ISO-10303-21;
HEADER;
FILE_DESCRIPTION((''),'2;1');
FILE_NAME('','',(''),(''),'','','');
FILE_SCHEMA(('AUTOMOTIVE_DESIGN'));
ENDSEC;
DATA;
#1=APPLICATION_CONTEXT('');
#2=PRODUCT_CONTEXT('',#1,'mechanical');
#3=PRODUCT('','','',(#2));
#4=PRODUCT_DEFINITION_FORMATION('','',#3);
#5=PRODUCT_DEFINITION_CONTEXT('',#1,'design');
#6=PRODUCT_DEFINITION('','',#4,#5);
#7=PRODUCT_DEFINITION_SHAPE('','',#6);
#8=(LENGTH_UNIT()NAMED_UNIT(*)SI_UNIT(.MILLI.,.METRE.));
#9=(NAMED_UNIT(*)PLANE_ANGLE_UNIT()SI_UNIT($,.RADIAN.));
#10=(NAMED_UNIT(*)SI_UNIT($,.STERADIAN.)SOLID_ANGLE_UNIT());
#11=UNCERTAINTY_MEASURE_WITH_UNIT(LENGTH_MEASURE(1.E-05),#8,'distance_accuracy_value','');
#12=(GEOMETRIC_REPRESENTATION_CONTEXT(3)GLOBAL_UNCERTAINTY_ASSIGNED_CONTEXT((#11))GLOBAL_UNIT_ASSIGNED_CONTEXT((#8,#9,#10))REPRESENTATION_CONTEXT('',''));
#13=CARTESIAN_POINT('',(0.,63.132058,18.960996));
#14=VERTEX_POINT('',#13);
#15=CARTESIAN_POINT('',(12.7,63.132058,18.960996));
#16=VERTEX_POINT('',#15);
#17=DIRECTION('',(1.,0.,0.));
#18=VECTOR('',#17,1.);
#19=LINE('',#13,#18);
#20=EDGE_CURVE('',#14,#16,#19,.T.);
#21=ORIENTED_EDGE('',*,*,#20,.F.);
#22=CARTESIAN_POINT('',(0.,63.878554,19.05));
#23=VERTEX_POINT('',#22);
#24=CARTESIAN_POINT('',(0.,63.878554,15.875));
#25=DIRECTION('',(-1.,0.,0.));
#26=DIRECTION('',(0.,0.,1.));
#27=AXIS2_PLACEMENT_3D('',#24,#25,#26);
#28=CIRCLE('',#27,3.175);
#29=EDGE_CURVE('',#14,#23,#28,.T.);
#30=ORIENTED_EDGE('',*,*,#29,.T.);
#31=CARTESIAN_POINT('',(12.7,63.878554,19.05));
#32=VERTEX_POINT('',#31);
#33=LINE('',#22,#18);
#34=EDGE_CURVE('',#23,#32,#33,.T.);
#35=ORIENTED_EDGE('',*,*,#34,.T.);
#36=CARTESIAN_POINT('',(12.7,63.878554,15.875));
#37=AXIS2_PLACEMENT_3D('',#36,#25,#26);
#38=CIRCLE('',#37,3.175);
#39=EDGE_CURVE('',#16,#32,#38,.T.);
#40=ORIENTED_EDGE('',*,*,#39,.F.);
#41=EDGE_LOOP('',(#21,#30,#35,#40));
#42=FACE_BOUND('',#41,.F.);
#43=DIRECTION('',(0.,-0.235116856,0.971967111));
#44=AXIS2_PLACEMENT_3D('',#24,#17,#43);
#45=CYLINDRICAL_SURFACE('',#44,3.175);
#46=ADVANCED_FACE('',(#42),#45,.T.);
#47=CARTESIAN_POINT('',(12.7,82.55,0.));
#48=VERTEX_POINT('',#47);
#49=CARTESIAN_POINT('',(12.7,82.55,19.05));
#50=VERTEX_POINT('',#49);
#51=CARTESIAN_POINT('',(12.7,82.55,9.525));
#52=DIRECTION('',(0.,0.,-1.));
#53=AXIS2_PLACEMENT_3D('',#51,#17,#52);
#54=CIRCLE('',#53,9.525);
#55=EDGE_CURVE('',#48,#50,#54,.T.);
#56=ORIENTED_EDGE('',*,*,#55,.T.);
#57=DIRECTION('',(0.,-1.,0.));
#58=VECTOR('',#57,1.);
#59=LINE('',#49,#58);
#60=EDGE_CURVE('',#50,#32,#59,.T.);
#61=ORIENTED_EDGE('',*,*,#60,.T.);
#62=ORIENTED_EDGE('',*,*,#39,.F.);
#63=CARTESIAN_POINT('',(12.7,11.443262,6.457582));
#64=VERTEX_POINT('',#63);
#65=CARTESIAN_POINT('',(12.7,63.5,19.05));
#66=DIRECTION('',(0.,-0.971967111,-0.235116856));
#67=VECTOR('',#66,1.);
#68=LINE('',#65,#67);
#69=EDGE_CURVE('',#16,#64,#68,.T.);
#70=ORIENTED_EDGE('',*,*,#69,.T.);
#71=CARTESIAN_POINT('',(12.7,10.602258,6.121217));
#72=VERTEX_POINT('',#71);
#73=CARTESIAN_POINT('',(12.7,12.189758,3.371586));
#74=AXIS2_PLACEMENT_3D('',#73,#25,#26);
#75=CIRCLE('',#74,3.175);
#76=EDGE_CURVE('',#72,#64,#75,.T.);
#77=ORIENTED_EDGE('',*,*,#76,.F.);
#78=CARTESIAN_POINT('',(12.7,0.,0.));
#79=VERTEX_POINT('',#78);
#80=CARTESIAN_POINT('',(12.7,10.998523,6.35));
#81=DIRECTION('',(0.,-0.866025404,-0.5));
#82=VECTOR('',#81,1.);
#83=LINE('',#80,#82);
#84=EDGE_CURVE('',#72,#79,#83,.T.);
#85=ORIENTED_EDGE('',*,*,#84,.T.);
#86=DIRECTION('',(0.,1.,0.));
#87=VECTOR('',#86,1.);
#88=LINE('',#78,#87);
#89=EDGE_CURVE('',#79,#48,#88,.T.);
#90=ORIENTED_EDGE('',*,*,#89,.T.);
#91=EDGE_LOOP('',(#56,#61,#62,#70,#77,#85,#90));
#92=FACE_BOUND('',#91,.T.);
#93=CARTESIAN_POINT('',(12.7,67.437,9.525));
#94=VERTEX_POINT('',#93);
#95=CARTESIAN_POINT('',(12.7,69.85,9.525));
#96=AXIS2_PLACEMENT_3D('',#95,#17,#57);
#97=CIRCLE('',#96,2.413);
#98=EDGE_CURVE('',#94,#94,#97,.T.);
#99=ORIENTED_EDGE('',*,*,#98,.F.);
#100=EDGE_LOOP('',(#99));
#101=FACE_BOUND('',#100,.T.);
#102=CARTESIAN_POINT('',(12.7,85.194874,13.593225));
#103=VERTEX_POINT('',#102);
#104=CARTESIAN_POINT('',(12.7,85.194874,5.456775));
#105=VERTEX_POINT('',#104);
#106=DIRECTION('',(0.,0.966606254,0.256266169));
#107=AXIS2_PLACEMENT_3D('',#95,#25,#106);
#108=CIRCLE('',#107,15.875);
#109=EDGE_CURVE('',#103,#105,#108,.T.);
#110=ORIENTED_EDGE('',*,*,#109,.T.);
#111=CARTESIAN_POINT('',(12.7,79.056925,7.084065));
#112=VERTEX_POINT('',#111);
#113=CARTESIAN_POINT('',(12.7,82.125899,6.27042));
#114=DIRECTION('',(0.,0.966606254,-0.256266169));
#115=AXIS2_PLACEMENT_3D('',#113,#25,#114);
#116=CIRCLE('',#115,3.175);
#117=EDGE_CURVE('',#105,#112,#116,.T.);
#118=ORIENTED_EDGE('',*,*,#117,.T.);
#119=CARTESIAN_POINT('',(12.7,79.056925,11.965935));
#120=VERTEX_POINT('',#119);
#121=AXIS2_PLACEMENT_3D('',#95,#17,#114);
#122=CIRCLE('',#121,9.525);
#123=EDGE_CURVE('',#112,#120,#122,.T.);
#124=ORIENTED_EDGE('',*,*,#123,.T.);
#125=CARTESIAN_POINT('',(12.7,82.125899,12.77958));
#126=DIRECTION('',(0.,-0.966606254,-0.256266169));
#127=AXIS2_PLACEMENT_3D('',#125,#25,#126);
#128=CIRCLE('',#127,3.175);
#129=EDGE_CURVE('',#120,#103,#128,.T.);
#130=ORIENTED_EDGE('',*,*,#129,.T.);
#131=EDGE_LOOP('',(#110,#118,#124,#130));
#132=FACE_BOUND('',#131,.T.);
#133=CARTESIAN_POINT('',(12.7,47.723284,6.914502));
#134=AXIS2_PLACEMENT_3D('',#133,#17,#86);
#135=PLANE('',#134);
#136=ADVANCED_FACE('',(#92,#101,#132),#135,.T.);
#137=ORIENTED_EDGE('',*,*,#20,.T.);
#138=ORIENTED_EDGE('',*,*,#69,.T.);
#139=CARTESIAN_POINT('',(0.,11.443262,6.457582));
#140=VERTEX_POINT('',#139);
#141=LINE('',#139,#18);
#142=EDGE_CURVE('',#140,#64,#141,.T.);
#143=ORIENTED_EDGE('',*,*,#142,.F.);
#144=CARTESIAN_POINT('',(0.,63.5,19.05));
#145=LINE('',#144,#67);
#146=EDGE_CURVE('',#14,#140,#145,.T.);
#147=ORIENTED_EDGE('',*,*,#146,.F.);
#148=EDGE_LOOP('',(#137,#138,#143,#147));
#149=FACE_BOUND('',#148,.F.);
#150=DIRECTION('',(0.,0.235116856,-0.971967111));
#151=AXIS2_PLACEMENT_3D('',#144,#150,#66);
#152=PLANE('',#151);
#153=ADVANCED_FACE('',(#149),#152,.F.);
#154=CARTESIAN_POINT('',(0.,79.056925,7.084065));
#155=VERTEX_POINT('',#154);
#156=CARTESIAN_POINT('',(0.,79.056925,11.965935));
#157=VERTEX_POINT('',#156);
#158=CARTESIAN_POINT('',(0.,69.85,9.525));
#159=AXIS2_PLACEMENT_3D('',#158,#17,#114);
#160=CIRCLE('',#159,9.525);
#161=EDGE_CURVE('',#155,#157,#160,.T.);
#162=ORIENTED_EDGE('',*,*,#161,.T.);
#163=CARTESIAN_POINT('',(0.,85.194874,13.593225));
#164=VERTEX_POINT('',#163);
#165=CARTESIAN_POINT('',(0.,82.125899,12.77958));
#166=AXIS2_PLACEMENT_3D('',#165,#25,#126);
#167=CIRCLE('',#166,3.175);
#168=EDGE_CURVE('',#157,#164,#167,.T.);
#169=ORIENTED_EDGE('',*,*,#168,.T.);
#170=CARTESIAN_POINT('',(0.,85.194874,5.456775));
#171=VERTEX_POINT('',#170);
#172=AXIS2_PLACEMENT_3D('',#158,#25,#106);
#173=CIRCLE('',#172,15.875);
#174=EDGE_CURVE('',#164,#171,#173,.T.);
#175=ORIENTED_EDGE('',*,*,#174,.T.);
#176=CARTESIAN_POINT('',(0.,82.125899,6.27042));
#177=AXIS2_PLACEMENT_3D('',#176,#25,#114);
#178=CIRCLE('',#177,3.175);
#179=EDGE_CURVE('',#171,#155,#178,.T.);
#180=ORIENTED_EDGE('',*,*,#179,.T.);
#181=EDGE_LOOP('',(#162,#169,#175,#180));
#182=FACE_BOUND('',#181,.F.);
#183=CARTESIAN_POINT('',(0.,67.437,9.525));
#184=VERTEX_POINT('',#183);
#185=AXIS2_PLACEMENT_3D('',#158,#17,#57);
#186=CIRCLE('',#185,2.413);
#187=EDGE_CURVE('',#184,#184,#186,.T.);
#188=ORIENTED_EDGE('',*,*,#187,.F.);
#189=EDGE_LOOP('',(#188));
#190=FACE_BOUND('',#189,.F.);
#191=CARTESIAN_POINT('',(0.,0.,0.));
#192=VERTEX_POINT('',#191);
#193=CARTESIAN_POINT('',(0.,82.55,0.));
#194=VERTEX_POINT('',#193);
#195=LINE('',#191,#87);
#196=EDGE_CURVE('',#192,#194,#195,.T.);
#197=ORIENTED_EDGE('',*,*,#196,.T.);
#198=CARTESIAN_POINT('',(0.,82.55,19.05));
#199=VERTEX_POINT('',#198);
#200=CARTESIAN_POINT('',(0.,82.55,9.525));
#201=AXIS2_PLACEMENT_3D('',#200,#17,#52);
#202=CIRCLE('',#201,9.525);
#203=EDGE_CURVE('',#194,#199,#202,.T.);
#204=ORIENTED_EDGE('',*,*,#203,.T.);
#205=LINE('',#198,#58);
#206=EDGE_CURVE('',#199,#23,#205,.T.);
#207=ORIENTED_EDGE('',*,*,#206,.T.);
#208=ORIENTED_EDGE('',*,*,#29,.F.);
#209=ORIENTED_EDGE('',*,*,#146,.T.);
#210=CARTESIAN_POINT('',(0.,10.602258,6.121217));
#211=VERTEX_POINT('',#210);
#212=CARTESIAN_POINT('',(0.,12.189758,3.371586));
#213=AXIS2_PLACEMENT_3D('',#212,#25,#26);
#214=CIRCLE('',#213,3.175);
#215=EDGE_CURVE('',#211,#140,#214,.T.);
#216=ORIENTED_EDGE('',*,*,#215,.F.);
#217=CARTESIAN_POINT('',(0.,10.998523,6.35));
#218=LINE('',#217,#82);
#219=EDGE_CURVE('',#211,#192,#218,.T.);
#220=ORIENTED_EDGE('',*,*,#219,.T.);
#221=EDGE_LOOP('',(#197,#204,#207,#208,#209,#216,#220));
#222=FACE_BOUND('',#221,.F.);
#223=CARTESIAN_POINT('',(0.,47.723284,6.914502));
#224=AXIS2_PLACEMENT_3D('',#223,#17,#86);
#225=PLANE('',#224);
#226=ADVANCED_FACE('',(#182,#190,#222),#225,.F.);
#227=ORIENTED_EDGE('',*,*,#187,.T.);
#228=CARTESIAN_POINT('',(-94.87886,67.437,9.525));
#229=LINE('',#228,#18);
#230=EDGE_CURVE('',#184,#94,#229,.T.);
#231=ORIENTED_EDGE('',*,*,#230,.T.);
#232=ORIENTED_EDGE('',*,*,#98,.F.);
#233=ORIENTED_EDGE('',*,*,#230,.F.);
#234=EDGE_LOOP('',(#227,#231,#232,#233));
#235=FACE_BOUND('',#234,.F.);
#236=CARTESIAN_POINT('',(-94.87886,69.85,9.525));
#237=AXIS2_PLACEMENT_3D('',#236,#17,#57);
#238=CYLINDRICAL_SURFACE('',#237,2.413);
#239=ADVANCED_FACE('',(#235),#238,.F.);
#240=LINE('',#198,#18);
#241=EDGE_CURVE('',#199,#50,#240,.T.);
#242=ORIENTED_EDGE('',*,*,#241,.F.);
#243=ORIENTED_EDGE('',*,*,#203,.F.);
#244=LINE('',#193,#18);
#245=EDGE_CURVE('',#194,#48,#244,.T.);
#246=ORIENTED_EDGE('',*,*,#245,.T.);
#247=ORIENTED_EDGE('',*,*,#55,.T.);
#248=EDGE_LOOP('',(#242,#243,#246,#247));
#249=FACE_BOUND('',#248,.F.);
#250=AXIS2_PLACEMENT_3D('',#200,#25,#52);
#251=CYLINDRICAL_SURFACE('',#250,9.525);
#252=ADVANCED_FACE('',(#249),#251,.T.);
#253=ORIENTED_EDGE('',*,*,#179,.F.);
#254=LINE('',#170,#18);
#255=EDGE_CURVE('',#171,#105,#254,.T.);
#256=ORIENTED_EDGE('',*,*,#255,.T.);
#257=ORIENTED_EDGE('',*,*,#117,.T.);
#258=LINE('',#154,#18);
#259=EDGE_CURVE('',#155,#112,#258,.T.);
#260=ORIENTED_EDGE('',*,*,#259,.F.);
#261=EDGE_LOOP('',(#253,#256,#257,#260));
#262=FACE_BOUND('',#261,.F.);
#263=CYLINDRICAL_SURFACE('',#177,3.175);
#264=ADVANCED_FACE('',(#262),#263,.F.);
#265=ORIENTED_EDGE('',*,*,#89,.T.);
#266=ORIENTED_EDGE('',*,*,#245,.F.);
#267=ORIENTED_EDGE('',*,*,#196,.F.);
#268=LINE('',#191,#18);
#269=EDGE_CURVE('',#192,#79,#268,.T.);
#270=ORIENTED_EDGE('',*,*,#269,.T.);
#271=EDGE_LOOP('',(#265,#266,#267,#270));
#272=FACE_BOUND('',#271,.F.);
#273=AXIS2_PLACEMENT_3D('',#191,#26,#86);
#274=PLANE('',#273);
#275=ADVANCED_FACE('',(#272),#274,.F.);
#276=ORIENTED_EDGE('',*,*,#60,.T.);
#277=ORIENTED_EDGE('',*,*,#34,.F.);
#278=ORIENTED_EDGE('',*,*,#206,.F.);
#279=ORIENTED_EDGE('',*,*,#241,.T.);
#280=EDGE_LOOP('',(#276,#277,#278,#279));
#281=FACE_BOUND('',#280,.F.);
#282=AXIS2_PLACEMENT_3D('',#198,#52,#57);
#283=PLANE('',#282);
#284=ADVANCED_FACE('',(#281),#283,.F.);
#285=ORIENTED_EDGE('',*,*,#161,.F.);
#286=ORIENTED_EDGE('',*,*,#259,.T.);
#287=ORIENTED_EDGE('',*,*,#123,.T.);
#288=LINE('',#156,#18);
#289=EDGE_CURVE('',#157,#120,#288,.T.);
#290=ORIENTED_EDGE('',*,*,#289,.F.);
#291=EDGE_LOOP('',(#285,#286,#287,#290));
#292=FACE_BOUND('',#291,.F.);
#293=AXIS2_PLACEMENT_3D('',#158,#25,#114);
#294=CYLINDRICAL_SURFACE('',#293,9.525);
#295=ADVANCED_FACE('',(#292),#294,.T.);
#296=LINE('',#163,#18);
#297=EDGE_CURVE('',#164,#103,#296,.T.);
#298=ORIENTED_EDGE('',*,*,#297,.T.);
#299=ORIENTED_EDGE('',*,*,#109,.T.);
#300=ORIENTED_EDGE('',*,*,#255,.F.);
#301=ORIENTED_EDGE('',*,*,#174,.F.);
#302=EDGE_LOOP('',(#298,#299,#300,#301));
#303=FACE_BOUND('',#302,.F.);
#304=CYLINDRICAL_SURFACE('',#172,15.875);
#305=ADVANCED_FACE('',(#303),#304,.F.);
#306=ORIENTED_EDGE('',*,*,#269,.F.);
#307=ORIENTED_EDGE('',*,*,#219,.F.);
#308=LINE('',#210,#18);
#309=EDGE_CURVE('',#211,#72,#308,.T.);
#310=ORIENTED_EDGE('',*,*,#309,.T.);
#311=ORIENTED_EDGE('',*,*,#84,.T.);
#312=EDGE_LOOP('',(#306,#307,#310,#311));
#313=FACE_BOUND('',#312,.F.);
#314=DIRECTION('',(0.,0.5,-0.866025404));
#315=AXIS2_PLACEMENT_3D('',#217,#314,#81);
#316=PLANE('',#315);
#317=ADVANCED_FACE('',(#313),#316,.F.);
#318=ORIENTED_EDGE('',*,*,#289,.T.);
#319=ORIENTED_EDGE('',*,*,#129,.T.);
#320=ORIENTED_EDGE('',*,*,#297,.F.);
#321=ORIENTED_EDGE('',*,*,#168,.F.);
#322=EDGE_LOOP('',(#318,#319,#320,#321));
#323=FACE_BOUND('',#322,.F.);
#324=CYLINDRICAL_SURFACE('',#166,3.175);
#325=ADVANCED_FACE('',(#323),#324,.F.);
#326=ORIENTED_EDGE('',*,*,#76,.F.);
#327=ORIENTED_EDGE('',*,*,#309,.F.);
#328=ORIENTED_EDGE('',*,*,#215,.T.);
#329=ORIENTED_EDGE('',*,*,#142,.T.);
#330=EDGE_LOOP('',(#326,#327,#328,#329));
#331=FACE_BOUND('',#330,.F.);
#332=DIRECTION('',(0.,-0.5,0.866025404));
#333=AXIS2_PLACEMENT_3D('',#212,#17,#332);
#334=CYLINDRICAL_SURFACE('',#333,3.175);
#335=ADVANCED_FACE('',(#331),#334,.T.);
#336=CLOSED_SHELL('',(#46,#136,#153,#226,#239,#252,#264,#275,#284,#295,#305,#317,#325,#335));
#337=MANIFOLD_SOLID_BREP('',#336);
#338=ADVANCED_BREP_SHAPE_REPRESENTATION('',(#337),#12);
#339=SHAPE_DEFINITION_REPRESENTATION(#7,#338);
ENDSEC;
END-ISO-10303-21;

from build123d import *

# Parameters (mm, degrees)
F1_DEPTH = 12.7
F2_D     = 4.826
F3_R     = 3.175


with BuildPart() as f1:
    # F0 (on Right) → F1 (new body)
    with BuildSketch(Plane.YZ):
        with BuildLine():
            Line((10.9985226281, 6.35), (0, 0))
            Line((0, 0), (82.55, 0))
            ThreePointArc((82.55, 0), (92.075, 9.525), (82.55, 19.05))
            Line((82.55, 19.05), (63.5, 19.05))
            Line((63.5, 19.05), (10.9985226281, 6.35))
        make_face()
        with BuildLine():
            ThreePointArc((79.0569245722, 11.9659352556), (81.3122543444, 15.8485551982), (85.194874287, 13.5932254261))
            ThreePointArc((85.194874287, 13.5932254261), (85.725, 9.525), (85.194874287, 5.4567745739))
            ThreePointArc((85.194874287, 5.4567745739), (81.3122543444, 3.2014448018), (79.0569245722, 7.0840647444))
            ThreePointArc((79.0569245722, 7.0840647444), (79.375, 9.525), (79.0569245722, 11.9659352556))
        make_face(mode=Mode.SUBTRACT)
    extrude(amount=F1_DEPTH)

    # F2 (through all)
    with Locations(Plane(origin=(0, 0, 0), x_dir=(0, 1, 0), z_dir=(-1, 0, 0))):
        with Locations((69.85, -9.525), (82.4664258806, -8.070421711)):
            Hole(F2_D / 2)

    # F3
    f3_edges = [f1.edges().sort_by_distance(p)[0] for p in [
        (6.35, 63.5, 19.05),
        (6.35, 10.998523, 6.35),
    ]]
    fillet(f3_edges, radius=F3_R)


solid = f1.part
